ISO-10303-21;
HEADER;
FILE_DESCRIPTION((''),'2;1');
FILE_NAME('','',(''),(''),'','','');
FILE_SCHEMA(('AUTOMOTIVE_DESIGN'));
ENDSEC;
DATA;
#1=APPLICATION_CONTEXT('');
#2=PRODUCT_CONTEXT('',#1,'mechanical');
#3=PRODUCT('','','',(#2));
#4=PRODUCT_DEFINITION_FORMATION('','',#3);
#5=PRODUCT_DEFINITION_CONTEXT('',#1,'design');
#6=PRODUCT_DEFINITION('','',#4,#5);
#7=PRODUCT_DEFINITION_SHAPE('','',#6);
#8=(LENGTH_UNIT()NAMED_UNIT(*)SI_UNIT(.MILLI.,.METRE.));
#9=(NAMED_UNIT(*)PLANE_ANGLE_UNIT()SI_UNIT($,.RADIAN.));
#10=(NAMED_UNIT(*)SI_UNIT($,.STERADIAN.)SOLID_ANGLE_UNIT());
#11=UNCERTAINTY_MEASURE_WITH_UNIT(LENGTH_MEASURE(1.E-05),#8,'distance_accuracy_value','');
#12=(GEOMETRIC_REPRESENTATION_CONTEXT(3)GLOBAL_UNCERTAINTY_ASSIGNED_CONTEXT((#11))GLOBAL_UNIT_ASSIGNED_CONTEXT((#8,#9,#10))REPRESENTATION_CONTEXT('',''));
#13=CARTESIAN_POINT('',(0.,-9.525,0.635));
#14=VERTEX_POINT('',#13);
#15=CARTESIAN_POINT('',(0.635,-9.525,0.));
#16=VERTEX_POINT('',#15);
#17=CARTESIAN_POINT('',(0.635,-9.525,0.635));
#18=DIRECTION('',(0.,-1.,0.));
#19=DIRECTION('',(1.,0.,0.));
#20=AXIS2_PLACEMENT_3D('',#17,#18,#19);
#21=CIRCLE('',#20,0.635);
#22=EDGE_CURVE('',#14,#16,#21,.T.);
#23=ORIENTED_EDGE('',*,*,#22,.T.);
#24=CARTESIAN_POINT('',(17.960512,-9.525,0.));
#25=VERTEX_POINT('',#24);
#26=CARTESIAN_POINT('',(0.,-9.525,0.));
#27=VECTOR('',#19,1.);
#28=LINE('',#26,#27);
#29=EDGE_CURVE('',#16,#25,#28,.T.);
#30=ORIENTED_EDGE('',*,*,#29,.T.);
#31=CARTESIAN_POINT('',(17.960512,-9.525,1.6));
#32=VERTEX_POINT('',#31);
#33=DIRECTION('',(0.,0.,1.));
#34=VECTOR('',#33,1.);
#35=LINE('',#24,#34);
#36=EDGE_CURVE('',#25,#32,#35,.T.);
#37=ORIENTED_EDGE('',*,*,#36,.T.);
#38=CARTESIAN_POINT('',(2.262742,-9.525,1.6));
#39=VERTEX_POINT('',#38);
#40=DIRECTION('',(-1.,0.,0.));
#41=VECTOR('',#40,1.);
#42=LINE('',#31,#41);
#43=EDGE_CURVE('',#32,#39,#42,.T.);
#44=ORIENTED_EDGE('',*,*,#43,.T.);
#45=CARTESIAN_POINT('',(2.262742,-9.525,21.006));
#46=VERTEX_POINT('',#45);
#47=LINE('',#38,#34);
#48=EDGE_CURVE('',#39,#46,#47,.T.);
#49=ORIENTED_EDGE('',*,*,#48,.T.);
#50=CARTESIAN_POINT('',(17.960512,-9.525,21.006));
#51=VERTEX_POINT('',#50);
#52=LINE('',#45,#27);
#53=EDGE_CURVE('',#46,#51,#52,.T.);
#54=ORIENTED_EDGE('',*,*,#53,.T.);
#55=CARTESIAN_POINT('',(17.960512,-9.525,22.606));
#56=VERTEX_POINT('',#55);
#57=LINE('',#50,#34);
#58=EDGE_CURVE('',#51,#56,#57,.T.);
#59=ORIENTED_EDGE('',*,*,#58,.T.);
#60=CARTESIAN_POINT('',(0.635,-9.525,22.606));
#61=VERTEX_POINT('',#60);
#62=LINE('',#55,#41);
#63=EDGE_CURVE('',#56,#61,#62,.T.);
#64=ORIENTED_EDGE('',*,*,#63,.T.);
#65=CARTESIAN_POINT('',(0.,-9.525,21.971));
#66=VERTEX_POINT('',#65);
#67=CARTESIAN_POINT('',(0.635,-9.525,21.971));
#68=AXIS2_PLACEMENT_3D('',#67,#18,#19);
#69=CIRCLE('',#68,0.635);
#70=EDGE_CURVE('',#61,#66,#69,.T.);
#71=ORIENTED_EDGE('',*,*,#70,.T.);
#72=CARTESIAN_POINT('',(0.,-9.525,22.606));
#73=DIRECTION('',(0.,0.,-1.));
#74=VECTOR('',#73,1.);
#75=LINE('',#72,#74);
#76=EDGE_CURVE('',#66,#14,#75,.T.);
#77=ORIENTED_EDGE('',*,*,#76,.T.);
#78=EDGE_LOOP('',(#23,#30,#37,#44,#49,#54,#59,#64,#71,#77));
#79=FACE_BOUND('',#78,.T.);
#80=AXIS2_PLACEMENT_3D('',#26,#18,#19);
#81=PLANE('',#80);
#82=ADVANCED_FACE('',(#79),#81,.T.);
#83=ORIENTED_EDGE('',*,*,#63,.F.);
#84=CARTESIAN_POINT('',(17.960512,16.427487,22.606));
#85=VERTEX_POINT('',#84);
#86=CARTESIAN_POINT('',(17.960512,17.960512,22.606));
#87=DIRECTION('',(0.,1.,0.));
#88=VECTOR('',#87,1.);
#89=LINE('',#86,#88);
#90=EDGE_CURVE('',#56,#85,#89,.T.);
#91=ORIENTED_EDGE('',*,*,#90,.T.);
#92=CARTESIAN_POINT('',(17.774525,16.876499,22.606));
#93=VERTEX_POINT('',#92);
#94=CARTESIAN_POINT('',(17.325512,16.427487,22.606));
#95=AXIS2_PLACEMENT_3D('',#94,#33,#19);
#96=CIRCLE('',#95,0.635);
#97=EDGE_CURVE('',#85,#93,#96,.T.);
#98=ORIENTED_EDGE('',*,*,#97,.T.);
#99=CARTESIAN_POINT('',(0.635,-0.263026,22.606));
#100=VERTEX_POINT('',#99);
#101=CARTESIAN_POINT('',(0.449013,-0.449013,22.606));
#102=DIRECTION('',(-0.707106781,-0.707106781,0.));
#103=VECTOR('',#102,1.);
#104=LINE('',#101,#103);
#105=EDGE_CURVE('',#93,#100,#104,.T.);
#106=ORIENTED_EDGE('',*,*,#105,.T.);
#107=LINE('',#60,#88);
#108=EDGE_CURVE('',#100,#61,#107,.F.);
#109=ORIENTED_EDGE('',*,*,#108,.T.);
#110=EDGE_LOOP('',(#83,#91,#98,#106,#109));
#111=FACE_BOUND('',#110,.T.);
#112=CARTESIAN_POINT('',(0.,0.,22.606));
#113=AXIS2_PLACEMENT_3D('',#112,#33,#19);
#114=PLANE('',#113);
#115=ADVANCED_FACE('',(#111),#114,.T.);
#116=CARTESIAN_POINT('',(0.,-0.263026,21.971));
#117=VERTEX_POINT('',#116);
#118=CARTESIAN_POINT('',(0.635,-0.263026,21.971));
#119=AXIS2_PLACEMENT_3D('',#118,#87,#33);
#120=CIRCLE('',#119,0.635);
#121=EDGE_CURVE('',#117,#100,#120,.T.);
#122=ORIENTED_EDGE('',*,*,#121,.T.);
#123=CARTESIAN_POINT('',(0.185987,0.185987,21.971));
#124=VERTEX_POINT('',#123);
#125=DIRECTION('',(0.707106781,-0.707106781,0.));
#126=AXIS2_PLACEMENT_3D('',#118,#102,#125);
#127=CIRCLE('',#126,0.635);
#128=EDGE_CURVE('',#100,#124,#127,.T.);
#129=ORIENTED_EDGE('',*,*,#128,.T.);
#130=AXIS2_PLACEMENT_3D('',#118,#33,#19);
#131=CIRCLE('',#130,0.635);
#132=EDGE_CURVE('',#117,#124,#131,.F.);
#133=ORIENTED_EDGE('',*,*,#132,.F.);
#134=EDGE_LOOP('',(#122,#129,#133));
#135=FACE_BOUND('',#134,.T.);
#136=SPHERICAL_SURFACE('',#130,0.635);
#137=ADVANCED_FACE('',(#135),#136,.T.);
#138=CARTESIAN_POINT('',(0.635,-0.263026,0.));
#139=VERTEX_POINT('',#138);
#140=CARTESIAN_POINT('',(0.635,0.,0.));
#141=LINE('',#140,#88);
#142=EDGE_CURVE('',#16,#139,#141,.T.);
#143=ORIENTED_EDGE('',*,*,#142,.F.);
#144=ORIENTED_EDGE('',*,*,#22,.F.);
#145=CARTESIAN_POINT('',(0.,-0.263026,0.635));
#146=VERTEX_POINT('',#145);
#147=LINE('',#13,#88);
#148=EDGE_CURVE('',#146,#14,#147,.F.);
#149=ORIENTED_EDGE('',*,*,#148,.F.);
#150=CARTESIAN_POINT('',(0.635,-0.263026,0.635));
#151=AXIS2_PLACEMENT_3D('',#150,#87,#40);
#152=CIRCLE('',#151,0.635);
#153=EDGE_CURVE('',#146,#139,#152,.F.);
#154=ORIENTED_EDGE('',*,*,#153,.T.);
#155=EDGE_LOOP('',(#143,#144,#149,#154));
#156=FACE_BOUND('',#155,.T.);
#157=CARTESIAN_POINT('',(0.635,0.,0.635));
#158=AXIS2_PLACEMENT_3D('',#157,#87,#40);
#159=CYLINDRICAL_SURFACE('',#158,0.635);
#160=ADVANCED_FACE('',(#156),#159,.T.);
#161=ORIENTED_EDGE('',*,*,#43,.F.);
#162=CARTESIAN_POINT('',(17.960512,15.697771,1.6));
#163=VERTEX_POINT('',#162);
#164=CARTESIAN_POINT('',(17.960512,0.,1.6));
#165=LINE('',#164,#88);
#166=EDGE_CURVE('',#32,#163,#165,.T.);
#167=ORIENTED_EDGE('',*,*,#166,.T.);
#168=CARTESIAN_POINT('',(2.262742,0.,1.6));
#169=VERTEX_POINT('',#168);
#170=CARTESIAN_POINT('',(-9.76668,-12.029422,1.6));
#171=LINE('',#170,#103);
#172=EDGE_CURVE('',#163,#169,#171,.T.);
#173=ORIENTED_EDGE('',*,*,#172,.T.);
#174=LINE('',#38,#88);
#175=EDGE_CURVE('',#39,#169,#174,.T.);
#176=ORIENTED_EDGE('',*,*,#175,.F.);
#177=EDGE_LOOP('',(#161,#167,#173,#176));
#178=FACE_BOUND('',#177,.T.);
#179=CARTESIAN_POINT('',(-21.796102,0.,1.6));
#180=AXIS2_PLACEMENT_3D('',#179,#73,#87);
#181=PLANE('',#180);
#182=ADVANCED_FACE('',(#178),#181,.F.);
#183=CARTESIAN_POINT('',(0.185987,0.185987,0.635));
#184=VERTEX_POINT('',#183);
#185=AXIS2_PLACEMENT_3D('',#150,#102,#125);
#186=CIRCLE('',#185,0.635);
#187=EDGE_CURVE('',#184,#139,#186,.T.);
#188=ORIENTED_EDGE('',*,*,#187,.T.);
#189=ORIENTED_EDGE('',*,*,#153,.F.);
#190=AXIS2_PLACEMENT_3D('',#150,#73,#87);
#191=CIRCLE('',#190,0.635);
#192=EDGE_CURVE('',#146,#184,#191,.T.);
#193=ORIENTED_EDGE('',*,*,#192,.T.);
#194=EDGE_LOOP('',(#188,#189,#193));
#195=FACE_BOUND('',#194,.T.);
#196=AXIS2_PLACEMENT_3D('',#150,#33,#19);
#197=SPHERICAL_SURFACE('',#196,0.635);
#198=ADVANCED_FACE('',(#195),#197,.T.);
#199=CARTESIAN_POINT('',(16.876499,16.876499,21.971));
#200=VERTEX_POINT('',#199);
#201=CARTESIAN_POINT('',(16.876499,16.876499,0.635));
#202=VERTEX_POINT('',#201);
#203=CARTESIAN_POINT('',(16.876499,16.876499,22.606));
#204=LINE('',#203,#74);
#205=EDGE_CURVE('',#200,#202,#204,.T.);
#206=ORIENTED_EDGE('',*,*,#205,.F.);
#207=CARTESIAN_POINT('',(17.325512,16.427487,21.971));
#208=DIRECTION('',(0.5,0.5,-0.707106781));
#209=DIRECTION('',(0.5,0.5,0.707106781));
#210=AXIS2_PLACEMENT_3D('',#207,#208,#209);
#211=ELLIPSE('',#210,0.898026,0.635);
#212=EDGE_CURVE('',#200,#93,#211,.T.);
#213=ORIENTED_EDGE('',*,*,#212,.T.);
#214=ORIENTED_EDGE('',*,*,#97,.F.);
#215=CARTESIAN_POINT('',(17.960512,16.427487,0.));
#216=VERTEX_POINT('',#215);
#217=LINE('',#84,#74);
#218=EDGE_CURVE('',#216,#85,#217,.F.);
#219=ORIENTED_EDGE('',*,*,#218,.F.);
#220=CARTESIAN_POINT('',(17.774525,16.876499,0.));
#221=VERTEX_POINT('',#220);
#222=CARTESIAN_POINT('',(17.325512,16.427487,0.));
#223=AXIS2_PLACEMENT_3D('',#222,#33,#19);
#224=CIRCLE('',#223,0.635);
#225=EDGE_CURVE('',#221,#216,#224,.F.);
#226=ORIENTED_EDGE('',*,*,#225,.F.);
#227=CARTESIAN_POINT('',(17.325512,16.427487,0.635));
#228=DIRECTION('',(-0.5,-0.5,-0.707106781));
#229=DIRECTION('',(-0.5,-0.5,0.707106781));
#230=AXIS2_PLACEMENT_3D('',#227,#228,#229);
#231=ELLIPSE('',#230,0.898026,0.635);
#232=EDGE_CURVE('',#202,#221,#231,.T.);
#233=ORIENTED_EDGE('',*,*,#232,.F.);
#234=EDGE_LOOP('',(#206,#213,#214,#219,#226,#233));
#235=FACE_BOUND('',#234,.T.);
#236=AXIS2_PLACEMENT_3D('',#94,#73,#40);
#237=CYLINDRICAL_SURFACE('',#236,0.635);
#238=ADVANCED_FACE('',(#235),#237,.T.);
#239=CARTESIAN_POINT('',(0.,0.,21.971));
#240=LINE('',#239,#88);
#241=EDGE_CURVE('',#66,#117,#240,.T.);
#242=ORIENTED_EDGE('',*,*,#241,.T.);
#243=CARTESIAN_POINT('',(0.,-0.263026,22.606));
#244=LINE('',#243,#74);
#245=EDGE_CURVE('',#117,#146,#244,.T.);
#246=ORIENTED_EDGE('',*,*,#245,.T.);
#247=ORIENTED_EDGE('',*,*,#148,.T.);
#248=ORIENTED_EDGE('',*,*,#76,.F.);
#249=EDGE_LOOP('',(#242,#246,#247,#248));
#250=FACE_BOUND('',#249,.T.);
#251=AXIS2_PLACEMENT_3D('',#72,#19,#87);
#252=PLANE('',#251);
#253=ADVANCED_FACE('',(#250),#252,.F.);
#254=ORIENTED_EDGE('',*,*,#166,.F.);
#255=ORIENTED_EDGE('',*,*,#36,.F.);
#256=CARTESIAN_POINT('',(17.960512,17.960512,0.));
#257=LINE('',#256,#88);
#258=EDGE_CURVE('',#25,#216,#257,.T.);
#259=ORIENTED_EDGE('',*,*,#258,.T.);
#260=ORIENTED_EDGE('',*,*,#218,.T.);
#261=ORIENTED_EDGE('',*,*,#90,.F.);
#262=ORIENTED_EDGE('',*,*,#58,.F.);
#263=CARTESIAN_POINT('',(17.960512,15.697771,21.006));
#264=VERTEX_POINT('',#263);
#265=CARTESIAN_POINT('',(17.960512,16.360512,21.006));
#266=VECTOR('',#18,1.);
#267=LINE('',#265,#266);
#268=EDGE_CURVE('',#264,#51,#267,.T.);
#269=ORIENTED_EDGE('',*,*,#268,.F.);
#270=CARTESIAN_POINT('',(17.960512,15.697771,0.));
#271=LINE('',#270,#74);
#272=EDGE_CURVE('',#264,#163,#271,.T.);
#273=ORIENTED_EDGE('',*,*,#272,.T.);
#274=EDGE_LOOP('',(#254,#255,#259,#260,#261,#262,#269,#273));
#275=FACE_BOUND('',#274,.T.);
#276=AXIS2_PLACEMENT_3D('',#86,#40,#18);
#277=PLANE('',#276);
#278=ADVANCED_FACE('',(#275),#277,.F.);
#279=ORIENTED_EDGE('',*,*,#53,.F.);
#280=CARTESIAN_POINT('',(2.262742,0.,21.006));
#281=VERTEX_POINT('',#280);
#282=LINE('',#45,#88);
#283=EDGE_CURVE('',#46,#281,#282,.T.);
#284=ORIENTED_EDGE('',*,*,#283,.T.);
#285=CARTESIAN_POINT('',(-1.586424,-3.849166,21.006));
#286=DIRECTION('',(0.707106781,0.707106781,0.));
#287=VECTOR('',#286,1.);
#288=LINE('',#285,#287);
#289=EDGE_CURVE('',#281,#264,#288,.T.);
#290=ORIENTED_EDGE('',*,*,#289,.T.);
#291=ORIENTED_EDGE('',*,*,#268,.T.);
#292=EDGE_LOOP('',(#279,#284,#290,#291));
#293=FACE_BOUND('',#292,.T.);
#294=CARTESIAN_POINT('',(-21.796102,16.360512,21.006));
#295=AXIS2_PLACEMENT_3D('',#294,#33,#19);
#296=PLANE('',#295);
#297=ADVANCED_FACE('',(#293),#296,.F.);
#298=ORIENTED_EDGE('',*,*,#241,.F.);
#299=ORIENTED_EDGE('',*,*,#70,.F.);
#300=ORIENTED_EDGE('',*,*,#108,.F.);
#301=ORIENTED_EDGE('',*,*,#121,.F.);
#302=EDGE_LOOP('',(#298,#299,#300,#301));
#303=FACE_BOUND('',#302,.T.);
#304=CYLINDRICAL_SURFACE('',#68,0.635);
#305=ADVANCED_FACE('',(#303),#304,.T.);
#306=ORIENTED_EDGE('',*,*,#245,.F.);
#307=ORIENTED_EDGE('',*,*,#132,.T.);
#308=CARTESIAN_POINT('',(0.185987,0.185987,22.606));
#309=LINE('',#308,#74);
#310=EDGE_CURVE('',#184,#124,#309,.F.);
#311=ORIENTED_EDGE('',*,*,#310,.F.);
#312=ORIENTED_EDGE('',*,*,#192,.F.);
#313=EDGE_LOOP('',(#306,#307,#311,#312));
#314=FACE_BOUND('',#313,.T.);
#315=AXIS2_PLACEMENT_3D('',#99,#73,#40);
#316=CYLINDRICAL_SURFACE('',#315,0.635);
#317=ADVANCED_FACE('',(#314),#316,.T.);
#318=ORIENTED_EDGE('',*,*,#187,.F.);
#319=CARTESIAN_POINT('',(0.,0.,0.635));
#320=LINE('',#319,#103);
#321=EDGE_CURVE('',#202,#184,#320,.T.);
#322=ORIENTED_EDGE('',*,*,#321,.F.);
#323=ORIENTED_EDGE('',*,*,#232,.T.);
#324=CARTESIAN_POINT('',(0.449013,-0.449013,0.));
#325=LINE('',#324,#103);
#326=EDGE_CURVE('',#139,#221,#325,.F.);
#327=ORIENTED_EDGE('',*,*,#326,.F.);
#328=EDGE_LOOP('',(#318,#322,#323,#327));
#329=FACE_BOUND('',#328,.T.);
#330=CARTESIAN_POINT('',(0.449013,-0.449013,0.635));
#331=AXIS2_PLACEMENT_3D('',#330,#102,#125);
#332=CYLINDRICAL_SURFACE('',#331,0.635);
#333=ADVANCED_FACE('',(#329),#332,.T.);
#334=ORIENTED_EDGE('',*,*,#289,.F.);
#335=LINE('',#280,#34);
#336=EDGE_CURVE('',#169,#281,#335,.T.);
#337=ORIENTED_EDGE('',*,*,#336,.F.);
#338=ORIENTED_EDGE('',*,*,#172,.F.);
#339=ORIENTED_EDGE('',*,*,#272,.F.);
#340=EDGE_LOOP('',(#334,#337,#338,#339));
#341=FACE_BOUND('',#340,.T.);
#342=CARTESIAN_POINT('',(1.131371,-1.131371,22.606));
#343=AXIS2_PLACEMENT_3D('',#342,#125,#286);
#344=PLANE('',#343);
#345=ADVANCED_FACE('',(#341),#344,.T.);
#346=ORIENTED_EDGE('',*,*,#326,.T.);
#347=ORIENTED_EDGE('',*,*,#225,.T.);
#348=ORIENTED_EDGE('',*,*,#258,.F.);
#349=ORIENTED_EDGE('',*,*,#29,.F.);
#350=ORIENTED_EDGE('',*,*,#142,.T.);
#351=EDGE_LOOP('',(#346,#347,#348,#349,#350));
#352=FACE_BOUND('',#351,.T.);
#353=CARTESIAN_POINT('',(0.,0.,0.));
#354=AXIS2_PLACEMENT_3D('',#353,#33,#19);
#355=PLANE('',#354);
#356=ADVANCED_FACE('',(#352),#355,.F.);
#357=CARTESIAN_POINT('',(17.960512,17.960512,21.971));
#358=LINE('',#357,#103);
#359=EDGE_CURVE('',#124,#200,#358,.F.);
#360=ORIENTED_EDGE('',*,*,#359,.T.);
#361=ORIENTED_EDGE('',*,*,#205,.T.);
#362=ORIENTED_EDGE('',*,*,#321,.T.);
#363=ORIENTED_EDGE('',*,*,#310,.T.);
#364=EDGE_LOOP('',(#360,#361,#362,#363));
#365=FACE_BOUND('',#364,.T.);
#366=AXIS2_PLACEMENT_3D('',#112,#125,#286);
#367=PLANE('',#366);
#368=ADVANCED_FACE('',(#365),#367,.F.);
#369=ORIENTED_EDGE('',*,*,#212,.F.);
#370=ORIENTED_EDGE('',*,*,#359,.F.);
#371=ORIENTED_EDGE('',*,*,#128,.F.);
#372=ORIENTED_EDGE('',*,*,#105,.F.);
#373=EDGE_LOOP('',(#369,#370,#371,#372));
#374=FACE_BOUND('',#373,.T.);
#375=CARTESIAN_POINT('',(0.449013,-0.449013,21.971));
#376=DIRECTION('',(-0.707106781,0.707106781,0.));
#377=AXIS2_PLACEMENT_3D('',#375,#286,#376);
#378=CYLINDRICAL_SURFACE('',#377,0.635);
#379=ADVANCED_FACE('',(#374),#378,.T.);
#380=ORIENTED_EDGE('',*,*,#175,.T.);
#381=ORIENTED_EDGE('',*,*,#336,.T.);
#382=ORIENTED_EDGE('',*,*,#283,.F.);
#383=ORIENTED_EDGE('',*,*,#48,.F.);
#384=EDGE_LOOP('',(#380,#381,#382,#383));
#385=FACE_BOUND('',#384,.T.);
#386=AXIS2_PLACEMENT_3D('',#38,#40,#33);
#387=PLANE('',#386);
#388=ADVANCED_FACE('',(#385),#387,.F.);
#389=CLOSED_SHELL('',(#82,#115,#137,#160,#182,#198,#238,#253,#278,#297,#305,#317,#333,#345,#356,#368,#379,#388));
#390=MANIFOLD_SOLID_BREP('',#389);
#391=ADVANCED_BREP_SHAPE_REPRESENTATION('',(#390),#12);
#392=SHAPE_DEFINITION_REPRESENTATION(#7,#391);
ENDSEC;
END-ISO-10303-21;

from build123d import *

# Parameters (mm, degrees)
BOSS_EXTRUDE1_DEPTH              = 22.606
CUT_EXTRUDE1_REACH               = 21.561
CUT_EXTRUDE1_OFFSET_FROM_SURFACE = 1.6
SKETCH2_W                        = 19.406
SKETCH2_H                        = 16.360512242
BOSS_EXTRUDE2_DEPTH              = 9.525
FILLET1_R                        = 0.635


with BuildPart() as part:
    # Sketch1 → Boss-Extrude1 (new body)
    with BuildSketch(Plane.XY):
        Polygon((0, 0), (17.960512242, 17.960512242), (17.960512242, 0), align=None)
    extrude(amount=BOSS_EXTRUDE1_DEPTH)

    # Cut-Extrude1: up to this face of the body (flat: up to its plane, moved by the offset)
    cut_extrude1_end = Plane(part.part.faces().sort_by_distance((8.980256121, 8.980256121, 11.303))[0]).offset(-CUT_EXTRUDE1_OFFSET_FROM_SURFACE)
    # Sketch2 → Cut-Extrude1 (cut, up to the picked face)
    with BuildSketch(Plane(origin=(17.960512242, 0, 0), x_dir=(0, 0, -1), z_dir=(1, 0, 0)), mode=Mode.PRIVATE) as cut_extrude1_sk1:
        with Locations((-11.303, 8.180256121)):
            Rectangle(SKETCH2_W, SKETCH2_H)
    cut_extrude1_tool1 = split(extrude(cut_extrude1_sk1.sketch, amount=-CUT_EXTRUDE1_REACH, mode=Mode.PRIVATE), bisect_by=cut_extrude1_end, keep=Keep.BOTH, mode=Mode.PRIVATE)
    add(cut_extrude1_tool1.solids().sort_by_distance((17.960512, 8.180256, 11.303))[0], mode=Mode.SUBTRACT)

    # Sketch3 → Boss-Extrude2 (add)
    with BuildSketch(Plane.XZ):
        Polygon((17.960512242, 22.606), (0, 22.606), (0, 0), (17.960512242, 0), (17.960512242, 1.6), (2.2627417, 1.6), (2.2627417, 21.006), (17.960512242, 21.006), align=None)
    extrude(amount=BOSS_EXTRUDE2_DEPTH)

    # Fillet1
    fillet1_edges = [part.edges().sort_by_distance(p)[0] for p in [
        (8.980256121, 8.980256121, 22.606),
        (0, -4.7625, 22.606),
        (0, -4.7625, 0),
        (8.980256121, 8.980256121, 0),
        (0, 0, 11.303),
        (17.960512242, 17.960512242, 11.303),
    ]]
    fillet(fillet1_edges, radius=FILLET1_R)


solid = part.part
